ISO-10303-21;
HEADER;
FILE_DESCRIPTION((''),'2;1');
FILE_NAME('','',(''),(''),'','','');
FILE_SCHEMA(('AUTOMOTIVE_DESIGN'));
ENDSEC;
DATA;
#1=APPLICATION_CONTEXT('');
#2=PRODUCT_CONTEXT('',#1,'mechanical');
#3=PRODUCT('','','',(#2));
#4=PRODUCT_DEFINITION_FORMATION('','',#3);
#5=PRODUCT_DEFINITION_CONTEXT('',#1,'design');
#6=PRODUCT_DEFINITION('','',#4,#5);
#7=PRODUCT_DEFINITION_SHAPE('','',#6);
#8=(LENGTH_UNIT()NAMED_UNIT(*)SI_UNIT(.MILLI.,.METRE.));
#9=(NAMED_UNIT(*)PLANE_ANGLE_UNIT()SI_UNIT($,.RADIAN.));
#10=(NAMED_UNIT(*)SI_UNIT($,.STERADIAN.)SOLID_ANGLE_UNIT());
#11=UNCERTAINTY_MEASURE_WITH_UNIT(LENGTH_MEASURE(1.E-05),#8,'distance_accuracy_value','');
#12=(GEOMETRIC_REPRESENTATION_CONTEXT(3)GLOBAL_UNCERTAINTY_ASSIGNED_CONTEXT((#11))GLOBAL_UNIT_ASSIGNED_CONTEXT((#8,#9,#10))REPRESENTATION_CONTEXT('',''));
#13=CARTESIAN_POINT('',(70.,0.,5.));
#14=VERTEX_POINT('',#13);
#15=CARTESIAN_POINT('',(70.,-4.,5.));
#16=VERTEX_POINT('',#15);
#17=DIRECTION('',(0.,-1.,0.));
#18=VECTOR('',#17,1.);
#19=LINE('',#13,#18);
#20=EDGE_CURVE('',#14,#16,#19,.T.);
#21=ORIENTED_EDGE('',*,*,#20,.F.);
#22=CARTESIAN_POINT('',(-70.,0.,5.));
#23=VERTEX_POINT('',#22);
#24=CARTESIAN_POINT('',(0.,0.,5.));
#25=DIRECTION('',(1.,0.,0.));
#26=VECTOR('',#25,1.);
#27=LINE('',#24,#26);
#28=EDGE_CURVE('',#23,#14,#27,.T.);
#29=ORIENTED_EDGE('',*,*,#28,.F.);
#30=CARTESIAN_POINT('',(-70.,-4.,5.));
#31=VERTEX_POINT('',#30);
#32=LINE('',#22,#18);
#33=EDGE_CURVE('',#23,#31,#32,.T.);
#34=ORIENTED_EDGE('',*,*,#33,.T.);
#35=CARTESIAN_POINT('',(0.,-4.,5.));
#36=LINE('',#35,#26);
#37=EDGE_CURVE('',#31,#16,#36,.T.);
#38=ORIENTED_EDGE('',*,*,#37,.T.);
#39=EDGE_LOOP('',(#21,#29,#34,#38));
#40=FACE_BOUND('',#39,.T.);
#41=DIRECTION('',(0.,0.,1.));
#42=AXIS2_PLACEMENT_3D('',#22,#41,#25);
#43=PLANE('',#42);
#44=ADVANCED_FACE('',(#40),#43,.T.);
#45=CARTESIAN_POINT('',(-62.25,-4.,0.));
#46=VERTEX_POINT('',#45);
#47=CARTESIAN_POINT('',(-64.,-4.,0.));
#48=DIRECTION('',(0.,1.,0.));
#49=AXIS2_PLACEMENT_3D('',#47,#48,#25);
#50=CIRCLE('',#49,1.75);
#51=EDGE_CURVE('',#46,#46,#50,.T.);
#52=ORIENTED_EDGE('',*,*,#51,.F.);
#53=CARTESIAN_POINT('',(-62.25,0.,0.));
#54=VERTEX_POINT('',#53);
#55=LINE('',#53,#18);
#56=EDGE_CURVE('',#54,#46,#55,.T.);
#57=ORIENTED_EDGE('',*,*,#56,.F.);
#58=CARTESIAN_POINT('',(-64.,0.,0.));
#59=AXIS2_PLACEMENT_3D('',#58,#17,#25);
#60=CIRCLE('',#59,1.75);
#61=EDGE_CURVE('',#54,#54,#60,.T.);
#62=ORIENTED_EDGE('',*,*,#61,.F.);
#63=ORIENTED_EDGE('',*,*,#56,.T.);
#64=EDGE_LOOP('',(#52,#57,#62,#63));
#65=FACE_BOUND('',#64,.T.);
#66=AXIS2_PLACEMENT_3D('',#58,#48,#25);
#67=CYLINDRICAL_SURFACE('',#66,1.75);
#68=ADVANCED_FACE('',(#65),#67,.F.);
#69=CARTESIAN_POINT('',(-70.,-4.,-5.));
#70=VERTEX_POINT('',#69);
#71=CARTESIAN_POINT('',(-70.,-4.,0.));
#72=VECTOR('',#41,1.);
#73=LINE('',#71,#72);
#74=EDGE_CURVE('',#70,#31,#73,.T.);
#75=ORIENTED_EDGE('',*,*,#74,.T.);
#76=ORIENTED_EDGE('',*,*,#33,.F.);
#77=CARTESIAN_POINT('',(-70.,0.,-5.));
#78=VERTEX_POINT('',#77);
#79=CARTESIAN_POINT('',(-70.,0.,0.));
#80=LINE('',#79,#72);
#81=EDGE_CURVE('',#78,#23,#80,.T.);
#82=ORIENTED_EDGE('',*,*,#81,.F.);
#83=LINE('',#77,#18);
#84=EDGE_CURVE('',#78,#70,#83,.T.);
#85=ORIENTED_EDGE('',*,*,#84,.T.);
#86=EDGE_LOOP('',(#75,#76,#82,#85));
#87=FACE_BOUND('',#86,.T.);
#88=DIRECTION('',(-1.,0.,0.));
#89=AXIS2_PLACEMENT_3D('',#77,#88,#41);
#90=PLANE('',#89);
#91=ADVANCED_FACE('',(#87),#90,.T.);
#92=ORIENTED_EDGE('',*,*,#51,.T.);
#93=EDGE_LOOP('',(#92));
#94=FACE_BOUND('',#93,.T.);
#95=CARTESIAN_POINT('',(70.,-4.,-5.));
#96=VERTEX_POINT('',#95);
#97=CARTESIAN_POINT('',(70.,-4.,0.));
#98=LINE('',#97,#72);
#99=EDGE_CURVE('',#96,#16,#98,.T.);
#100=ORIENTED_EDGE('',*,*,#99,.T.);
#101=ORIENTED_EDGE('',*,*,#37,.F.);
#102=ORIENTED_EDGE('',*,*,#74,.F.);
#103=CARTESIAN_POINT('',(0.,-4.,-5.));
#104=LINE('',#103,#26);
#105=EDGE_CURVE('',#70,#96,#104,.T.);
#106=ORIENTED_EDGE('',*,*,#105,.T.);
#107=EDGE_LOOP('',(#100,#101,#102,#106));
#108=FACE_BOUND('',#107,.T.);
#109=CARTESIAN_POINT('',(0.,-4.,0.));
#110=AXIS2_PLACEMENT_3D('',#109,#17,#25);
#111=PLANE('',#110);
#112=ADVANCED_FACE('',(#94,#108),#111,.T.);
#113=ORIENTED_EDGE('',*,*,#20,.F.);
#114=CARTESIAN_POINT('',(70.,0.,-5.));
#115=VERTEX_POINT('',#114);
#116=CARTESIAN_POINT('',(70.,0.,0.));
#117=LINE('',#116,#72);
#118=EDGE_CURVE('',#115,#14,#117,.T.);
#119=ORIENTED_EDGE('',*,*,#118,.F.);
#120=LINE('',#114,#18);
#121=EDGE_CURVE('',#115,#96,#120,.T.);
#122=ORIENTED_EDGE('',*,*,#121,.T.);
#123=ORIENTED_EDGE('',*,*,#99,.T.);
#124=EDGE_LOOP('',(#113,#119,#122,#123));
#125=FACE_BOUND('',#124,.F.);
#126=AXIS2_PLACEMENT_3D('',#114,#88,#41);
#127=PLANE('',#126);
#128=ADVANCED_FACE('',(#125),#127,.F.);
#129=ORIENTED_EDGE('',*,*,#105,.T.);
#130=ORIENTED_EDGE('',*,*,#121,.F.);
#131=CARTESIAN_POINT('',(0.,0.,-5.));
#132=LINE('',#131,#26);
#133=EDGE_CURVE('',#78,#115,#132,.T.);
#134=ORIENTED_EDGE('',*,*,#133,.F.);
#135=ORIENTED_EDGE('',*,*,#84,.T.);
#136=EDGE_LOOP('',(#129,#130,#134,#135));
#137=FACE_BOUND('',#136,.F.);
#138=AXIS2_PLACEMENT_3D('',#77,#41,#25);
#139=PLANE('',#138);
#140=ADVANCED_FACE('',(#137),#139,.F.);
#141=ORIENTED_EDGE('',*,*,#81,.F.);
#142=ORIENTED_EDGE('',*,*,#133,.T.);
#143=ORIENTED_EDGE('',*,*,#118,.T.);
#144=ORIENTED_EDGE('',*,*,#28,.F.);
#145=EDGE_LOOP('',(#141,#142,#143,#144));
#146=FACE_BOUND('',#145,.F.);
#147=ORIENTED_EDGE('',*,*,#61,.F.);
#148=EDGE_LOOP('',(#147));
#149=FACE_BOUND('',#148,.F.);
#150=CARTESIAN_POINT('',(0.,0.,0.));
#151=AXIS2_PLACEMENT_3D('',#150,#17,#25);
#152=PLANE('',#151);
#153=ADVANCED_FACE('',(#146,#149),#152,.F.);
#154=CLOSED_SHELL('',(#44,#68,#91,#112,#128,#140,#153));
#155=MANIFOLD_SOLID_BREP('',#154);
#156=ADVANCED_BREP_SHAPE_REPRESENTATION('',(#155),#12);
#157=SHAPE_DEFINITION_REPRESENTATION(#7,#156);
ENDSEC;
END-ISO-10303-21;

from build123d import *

# Parameters (mm, degrees)
F0_W     = 140
F0_H     = 10
F1_DEPTH = 4
F2_R     = 1.75
F3_DEPTH = 4.001


with BuildPart() as f1:
    # F0 (on Front) → F1 (new body)
    with BuildSketch(Plane.XZ):
        Rectangle(F0_W, F0_H)
    extrude(amount=F1_DEPTH)

    # F2 (on Front) → F3 (cut, through all)
    with BuildSketch(Plane.XZ):
        with Locations((-64, 0)):
            Circle(F2_R)
    extrude(amount=F3_DEPTH, mode=Mode.SUBTRACT)


solid = f1.part
